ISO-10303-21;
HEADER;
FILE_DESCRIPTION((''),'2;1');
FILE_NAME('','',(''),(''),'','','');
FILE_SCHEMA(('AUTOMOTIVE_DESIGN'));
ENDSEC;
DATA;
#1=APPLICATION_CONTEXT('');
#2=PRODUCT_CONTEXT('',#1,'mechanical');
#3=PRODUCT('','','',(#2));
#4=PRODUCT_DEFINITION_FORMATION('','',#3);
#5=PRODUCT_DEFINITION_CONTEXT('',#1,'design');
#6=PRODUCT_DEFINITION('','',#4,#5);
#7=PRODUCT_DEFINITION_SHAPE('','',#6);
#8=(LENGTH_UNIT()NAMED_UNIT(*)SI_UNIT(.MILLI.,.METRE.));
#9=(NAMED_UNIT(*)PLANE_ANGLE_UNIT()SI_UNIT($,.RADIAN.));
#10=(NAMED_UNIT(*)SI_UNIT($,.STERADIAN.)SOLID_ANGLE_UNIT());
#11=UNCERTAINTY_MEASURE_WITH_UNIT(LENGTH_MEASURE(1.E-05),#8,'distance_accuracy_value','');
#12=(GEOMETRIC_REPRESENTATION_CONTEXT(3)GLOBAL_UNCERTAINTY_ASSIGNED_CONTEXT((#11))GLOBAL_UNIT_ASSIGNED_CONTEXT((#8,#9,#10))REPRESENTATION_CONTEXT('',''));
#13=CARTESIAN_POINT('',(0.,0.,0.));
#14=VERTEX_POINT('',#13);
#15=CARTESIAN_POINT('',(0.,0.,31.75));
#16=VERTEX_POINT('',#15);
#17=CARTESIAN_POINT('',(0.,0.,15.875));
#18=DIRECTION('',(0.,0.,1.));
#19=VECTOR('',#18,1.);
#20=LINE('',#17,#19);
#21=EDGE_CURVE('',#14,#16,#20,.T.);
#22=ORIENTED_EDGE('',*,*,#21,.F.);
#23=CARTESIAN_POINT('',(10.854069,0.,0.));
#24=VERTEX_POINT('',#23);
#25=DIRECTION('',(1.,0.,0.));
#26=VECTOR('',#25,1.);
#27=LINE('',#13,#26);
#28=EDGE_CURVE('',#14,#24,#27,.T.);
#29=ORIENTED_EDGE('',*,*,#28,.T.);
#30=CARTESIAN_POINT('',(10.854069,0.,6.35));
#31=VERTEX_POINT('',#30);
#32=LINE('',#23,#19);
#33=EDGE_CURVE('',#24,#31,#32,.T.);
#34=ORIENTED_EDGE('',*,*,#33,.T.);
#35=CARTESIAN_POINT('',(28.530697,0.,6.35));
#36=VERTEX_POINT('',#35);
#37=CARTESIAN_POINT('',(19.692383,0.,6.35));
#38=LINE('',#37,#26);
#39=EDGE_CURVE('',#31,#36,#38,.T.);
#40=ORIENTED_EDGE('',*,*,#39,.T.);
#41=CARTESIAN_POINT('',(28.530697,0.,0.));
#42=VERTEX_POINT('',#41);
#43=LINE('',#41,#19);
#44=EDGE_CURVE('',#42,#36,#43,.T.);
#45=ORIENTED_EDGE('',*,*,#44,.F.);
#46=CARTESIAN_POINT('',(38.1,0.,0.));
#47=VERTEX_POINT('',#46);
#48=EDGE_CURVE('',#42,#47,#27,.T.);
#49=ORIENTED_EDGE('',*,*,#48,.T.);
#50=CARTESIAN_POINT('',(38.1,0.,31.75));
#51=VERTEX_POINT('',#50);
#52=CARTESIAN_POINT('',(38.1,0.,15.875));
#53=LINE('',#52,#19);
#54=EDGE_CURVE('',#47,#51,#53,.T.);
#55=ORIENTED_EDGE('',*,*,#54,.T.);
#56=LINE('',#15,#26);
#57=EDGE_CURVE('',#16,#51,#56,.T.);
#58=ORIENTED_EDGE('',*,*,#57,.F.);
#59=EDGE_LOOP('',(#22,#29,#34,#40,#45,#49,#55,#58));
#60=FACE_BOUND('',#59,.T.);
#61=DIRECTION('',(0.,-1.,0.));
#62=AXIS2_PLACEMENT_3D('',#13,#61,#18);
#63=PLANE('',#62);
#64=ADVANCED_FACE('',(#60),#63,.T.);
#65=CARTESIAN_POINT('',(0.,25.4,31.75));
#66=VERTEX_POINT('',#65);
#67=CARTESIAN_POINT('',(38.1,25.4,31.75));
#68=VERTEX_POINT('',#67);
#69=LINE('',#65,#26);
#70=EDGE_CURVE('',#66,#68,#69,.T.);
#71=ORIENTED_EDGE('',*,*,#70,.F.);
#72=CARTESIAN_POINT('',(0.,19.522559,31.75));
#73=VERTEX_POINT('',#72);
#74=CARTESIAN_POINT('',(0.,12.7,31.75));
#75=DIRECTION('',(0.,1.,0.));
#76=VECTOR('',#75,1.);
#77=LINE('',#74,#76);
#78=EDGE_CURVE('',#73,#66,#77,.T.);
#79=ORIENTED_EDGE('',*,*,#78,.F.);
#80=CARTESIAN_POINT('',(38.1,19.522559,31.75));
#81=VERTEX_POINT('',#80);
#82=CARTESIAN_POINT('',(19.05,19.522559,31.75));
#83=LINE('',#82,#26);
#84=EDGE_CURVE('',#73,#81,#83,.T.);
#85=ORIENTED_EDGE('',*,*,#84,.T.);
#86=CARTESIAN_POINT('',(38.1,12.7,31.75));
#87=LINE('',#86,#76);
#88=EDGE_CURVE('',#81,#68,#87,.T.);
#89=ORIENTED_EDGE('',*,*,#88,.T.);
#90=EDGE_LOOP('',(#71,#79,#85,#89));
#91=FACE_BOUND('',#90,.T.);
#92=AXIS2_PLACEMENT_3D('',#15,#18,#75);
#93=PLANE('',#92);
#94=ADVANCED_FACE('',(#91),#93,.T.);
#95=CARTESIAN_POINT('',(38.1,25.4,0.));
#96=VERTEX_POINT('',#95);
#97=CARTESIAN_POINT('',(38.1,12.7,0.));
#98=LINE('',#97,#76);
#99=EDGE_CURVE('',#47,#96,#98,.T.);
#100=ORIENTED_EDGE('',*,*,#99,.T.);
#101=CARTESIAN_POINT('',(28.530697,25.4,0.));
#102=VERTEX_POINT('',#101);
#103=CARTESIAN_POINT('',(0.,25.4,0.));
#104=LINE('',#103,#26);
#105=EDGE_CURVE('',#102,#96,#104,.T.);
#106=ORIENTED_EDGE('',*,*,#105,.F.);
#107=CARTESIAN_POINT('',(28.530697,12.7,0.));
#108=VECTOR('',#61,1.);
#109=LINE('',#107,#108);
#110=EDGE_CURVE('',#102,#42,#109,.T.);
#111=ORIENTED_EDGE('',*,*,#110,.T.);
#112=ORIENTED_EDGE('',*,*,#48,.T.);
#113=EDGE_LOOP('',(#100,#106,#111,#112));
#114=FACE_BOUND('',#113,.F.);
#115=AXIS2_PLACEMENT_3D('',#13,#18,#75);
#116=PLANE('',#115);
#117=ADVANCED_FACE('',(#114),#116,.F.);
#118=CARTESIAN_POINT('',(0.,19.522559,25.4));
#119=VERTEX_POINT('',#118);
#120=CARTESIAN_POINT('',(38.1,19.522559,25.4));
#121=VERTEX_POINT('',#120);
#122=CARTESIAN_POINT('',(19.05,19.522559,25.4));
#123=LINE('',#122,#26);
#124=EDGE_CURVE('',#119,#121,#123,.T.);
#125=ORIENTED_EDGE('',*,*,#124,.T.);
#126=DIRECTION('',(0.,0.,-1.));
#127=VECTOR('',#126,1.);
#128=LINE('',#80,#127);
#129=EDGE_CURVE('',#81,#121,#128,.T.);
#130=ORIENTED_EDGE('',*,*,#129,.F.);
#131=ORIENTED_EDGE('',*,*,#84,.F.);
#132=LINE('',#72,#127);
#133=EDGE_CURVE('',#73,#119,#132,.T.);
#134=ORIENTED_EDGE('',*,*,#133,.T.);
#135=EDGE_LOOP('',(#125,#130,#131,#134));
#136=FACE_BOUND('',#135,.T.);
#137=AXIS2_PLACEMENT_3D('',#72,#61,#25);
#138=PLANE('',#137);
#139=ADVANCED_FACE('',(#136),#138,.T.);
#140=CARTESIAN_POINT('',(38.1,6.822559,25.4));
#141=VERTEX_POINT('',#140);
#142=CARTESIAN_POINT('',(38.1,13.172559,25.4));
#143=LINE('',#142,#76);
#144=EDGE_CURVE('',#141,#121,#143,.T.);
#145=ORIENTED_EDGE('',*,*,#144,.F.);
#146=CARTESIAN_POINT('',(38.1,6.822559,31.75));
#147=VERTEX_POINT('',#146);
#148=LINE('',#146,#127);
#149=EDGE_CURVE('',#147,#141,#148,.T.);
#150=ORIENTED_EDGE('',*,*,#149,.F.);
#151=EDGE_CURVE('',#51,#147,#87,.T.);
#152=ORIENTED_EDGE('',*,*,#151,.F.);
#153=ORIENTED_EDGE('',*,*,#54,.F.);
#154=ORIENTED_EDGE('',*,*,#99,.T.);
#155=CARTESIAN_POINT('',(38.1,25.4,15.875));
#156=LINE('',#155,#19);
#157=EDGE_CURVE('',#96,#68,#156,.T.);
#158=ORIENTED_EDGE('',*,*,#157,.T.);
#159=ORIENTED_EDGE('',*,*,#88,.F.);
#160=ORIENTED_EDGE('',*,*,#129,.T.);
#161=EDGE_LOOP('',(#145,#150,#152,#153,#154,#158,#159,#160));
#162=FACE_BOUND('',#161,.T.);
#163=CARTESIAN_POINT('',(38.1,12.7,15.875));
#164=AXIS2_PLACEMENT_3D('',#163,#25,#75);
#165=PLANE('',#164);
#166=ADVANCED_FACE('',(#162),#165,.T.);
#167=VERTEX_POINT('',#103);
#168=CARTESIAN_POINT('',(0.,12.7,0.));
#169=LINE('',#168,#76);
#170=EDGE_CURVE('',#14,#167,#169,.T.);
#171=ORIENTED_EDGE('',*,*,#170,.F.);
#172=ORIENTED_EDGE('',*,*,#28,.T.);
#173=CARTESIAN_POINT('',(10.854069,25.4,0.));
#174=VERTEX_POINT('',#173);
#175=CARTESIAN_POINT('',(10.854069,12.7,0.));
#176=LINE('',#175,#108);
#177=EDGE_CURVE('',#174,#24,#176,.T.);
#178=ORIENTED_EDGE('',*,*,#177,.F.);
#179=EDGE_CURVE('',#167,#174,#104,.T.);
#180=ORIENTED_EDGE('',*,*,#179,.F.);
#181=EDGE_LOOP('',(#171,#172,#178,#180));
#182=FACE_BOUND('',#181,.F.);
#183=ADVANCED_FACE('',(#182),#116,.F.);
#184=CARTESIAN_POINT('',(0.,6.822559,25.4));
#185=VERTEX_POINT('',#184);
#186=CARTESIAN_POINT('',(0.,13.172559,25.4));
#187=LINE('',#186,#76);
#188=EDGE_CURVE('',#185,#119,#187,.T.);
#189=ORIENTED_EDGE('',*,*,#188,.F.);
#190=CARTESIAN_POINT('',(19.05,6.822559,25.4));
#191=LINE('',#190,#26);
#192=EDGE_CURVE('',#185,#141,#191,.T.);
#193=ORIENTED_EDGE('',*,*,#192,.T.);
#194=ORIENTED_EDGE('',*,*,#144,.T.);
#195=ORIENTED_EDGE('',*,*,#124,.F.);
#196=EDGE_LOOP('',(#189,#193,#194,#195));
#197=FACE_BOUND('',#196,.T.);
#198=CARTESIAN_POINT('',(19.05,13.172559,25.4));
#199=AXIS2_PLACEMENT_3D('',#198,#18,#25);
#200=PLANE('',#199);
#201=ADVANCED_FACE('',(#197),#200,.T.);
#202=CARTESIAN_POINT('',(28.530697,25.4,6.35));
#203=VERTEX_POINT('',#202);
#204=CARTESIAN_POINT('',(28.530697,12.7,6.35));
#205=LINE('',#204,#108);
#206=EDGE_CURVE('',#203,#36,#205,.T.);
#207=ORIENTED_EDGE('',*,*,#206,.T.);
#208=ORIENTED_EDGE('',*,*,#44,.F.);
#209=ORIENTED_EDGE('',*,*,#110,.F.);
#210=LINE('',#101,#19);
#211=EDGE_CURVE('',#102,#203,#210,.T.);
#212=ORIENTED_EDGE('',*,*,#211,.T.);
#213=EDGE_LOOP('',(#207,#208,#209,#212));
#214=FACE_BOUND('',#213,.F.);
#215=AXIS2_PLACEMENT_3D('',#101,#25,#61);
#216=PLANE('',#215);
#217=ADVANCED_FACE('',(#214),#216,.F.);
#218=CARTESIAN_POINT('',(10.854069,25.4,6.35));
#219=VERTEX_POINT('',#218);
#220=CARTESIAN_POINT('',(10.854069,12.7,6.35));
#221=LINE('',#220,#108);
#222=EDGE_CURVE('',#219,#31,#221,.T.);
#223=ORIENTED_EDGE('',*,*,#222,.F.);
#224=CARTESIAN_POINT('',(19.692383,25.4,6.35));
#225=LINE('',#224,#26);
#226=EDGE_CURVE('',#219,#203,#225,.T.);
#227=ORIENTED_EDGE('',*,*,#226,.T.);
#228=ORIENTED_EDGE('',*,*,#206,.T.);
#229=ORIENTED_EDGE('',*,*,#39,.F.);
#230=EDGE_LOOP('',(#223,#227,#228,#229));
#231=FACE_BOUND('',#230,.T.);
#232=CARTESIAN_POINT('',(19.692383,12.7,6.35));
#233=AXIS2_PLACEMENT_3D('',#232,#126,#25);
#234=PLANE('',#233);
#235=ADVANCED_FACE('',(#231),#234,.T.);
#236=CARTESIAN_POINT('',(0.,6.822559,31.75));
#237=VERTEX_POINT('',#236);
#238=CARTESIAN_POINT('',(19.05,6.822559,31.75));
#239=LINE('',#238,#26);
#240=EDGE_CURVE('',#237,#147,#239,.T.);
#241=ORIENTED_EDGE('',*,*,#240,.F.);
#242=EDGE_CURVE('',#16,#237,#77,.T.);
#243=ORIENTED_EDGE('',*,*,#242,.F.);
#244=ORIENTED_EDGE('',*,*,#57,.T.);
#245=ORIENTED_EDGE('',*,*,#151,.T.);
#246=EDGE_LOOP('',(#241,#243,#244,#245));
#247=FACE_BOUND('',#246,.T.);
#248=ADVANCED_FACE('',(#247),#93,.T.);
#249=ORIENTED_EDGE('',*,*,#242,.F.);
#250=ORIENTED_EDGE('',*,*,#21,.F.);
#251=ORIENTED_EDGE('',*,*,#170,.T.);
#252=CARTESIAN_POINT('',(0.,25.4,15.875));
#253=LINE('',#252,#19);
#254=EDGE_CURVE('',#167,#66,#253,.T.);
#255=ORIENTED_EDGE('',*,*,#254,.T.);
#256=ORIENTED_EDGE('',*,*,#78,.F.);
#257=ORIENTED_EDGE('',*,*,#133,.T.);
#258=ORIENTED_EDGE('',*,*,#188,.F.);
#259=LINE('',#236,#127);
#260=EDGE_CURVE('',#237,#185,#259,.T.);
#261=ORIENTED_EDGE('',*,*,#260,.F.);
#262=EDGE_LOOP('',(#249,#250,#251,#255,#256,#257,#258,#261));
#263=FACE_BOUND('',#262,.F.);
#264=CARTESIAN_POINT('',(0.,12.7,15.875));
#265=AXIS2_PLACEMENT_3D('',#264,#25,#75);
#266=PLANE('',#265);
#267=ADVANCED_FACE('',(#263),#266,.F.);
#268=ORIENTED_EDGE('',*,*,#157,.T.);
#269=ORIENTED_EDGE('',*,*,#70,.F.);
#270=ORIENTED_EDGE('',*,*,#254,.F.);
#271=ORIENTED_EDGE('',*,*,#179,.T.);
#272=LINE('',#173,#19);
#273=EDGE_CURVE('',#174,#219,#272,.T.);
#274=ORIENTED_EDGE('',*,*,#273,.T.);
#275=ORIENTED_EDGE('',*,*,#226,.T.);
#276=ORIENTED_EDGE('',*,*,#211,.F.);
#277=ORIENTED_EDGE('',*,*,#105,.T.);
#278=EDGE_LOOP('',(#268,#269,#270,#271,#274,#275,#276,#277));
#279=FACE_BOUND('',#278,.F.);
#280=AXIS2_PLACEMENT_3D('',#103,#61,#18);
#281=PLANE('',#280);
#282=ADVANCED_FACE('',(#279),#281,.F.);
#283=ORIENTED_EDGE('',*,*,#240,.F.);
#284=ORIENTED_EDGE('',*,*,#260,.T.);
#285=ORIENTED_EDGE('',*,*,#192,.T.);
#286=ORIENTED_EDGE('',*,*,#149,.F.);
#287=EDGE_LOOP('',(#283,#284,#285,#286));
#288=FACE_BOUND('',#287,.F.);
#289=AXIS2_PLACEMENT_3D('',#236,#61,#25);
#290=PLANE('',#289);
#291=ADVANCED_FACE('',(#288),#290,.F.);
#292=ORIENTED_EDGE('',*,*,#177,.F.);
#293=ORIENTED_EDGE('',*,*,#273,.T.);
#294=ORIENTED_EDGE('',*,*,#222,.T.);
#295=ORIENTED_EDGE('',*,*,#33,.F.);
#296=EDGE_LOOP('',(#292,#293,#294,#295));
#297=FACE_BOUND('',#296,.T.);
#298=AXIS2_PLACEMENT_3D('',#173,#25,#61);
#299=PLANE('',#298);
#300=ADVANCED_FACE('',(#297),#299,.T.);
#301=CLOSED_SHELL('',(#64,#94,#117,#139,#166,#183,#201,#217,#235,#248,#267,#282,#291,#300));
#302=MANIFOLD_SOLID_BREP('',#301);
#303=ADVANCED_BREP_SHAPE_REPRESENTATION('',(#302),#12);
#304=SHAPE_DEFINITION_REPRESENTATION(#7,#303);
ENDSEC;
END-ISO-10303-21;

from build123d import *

# Parameters (mm, degrees)
F0_W     = 25.4
F0_H     = 31.75
F1_DEPTH = 38.1
F2_W     = 38.1
F2_H     = 12.7
F3_DEPTH = 6.35
F4_W     = 17.676627
F4_H     = 25.4
F5_DEPTH = 6.35


with BuildPart() as f1:
    # F0 (on Right) → F1 (new body)
    with BuildSketch(Plane.YZ):
        with Locations((12.7, 15.875)):
            Rectangle(F0_W, F0_H)
    extrude(amount=F1_DEPTH)

    # F2 (on face) → F3 (cut)
    with BuildSketch(Plane.XY.offset(31.75)):
        with Locations((19.05, 13.172559)):
            Rectangle(F2_W, F2_H)
    extrude(amount=-F3_DEPTH, mode=Mode.SUBTRACT)

    # F4 (on face) → F5 (cut)
    with BuildSketch(Plane(origin=(0, 0, 0), x_dir=(1, 0, 0), z_dir=(0, 0, -1))):
        with Locations((19.692383, -12.7)):
            Rectangle(F4_W, F4_H)
    extrude(amount=-F5_DEPTH, mode=Mode.SUBTRACT)


solid = f1.part
